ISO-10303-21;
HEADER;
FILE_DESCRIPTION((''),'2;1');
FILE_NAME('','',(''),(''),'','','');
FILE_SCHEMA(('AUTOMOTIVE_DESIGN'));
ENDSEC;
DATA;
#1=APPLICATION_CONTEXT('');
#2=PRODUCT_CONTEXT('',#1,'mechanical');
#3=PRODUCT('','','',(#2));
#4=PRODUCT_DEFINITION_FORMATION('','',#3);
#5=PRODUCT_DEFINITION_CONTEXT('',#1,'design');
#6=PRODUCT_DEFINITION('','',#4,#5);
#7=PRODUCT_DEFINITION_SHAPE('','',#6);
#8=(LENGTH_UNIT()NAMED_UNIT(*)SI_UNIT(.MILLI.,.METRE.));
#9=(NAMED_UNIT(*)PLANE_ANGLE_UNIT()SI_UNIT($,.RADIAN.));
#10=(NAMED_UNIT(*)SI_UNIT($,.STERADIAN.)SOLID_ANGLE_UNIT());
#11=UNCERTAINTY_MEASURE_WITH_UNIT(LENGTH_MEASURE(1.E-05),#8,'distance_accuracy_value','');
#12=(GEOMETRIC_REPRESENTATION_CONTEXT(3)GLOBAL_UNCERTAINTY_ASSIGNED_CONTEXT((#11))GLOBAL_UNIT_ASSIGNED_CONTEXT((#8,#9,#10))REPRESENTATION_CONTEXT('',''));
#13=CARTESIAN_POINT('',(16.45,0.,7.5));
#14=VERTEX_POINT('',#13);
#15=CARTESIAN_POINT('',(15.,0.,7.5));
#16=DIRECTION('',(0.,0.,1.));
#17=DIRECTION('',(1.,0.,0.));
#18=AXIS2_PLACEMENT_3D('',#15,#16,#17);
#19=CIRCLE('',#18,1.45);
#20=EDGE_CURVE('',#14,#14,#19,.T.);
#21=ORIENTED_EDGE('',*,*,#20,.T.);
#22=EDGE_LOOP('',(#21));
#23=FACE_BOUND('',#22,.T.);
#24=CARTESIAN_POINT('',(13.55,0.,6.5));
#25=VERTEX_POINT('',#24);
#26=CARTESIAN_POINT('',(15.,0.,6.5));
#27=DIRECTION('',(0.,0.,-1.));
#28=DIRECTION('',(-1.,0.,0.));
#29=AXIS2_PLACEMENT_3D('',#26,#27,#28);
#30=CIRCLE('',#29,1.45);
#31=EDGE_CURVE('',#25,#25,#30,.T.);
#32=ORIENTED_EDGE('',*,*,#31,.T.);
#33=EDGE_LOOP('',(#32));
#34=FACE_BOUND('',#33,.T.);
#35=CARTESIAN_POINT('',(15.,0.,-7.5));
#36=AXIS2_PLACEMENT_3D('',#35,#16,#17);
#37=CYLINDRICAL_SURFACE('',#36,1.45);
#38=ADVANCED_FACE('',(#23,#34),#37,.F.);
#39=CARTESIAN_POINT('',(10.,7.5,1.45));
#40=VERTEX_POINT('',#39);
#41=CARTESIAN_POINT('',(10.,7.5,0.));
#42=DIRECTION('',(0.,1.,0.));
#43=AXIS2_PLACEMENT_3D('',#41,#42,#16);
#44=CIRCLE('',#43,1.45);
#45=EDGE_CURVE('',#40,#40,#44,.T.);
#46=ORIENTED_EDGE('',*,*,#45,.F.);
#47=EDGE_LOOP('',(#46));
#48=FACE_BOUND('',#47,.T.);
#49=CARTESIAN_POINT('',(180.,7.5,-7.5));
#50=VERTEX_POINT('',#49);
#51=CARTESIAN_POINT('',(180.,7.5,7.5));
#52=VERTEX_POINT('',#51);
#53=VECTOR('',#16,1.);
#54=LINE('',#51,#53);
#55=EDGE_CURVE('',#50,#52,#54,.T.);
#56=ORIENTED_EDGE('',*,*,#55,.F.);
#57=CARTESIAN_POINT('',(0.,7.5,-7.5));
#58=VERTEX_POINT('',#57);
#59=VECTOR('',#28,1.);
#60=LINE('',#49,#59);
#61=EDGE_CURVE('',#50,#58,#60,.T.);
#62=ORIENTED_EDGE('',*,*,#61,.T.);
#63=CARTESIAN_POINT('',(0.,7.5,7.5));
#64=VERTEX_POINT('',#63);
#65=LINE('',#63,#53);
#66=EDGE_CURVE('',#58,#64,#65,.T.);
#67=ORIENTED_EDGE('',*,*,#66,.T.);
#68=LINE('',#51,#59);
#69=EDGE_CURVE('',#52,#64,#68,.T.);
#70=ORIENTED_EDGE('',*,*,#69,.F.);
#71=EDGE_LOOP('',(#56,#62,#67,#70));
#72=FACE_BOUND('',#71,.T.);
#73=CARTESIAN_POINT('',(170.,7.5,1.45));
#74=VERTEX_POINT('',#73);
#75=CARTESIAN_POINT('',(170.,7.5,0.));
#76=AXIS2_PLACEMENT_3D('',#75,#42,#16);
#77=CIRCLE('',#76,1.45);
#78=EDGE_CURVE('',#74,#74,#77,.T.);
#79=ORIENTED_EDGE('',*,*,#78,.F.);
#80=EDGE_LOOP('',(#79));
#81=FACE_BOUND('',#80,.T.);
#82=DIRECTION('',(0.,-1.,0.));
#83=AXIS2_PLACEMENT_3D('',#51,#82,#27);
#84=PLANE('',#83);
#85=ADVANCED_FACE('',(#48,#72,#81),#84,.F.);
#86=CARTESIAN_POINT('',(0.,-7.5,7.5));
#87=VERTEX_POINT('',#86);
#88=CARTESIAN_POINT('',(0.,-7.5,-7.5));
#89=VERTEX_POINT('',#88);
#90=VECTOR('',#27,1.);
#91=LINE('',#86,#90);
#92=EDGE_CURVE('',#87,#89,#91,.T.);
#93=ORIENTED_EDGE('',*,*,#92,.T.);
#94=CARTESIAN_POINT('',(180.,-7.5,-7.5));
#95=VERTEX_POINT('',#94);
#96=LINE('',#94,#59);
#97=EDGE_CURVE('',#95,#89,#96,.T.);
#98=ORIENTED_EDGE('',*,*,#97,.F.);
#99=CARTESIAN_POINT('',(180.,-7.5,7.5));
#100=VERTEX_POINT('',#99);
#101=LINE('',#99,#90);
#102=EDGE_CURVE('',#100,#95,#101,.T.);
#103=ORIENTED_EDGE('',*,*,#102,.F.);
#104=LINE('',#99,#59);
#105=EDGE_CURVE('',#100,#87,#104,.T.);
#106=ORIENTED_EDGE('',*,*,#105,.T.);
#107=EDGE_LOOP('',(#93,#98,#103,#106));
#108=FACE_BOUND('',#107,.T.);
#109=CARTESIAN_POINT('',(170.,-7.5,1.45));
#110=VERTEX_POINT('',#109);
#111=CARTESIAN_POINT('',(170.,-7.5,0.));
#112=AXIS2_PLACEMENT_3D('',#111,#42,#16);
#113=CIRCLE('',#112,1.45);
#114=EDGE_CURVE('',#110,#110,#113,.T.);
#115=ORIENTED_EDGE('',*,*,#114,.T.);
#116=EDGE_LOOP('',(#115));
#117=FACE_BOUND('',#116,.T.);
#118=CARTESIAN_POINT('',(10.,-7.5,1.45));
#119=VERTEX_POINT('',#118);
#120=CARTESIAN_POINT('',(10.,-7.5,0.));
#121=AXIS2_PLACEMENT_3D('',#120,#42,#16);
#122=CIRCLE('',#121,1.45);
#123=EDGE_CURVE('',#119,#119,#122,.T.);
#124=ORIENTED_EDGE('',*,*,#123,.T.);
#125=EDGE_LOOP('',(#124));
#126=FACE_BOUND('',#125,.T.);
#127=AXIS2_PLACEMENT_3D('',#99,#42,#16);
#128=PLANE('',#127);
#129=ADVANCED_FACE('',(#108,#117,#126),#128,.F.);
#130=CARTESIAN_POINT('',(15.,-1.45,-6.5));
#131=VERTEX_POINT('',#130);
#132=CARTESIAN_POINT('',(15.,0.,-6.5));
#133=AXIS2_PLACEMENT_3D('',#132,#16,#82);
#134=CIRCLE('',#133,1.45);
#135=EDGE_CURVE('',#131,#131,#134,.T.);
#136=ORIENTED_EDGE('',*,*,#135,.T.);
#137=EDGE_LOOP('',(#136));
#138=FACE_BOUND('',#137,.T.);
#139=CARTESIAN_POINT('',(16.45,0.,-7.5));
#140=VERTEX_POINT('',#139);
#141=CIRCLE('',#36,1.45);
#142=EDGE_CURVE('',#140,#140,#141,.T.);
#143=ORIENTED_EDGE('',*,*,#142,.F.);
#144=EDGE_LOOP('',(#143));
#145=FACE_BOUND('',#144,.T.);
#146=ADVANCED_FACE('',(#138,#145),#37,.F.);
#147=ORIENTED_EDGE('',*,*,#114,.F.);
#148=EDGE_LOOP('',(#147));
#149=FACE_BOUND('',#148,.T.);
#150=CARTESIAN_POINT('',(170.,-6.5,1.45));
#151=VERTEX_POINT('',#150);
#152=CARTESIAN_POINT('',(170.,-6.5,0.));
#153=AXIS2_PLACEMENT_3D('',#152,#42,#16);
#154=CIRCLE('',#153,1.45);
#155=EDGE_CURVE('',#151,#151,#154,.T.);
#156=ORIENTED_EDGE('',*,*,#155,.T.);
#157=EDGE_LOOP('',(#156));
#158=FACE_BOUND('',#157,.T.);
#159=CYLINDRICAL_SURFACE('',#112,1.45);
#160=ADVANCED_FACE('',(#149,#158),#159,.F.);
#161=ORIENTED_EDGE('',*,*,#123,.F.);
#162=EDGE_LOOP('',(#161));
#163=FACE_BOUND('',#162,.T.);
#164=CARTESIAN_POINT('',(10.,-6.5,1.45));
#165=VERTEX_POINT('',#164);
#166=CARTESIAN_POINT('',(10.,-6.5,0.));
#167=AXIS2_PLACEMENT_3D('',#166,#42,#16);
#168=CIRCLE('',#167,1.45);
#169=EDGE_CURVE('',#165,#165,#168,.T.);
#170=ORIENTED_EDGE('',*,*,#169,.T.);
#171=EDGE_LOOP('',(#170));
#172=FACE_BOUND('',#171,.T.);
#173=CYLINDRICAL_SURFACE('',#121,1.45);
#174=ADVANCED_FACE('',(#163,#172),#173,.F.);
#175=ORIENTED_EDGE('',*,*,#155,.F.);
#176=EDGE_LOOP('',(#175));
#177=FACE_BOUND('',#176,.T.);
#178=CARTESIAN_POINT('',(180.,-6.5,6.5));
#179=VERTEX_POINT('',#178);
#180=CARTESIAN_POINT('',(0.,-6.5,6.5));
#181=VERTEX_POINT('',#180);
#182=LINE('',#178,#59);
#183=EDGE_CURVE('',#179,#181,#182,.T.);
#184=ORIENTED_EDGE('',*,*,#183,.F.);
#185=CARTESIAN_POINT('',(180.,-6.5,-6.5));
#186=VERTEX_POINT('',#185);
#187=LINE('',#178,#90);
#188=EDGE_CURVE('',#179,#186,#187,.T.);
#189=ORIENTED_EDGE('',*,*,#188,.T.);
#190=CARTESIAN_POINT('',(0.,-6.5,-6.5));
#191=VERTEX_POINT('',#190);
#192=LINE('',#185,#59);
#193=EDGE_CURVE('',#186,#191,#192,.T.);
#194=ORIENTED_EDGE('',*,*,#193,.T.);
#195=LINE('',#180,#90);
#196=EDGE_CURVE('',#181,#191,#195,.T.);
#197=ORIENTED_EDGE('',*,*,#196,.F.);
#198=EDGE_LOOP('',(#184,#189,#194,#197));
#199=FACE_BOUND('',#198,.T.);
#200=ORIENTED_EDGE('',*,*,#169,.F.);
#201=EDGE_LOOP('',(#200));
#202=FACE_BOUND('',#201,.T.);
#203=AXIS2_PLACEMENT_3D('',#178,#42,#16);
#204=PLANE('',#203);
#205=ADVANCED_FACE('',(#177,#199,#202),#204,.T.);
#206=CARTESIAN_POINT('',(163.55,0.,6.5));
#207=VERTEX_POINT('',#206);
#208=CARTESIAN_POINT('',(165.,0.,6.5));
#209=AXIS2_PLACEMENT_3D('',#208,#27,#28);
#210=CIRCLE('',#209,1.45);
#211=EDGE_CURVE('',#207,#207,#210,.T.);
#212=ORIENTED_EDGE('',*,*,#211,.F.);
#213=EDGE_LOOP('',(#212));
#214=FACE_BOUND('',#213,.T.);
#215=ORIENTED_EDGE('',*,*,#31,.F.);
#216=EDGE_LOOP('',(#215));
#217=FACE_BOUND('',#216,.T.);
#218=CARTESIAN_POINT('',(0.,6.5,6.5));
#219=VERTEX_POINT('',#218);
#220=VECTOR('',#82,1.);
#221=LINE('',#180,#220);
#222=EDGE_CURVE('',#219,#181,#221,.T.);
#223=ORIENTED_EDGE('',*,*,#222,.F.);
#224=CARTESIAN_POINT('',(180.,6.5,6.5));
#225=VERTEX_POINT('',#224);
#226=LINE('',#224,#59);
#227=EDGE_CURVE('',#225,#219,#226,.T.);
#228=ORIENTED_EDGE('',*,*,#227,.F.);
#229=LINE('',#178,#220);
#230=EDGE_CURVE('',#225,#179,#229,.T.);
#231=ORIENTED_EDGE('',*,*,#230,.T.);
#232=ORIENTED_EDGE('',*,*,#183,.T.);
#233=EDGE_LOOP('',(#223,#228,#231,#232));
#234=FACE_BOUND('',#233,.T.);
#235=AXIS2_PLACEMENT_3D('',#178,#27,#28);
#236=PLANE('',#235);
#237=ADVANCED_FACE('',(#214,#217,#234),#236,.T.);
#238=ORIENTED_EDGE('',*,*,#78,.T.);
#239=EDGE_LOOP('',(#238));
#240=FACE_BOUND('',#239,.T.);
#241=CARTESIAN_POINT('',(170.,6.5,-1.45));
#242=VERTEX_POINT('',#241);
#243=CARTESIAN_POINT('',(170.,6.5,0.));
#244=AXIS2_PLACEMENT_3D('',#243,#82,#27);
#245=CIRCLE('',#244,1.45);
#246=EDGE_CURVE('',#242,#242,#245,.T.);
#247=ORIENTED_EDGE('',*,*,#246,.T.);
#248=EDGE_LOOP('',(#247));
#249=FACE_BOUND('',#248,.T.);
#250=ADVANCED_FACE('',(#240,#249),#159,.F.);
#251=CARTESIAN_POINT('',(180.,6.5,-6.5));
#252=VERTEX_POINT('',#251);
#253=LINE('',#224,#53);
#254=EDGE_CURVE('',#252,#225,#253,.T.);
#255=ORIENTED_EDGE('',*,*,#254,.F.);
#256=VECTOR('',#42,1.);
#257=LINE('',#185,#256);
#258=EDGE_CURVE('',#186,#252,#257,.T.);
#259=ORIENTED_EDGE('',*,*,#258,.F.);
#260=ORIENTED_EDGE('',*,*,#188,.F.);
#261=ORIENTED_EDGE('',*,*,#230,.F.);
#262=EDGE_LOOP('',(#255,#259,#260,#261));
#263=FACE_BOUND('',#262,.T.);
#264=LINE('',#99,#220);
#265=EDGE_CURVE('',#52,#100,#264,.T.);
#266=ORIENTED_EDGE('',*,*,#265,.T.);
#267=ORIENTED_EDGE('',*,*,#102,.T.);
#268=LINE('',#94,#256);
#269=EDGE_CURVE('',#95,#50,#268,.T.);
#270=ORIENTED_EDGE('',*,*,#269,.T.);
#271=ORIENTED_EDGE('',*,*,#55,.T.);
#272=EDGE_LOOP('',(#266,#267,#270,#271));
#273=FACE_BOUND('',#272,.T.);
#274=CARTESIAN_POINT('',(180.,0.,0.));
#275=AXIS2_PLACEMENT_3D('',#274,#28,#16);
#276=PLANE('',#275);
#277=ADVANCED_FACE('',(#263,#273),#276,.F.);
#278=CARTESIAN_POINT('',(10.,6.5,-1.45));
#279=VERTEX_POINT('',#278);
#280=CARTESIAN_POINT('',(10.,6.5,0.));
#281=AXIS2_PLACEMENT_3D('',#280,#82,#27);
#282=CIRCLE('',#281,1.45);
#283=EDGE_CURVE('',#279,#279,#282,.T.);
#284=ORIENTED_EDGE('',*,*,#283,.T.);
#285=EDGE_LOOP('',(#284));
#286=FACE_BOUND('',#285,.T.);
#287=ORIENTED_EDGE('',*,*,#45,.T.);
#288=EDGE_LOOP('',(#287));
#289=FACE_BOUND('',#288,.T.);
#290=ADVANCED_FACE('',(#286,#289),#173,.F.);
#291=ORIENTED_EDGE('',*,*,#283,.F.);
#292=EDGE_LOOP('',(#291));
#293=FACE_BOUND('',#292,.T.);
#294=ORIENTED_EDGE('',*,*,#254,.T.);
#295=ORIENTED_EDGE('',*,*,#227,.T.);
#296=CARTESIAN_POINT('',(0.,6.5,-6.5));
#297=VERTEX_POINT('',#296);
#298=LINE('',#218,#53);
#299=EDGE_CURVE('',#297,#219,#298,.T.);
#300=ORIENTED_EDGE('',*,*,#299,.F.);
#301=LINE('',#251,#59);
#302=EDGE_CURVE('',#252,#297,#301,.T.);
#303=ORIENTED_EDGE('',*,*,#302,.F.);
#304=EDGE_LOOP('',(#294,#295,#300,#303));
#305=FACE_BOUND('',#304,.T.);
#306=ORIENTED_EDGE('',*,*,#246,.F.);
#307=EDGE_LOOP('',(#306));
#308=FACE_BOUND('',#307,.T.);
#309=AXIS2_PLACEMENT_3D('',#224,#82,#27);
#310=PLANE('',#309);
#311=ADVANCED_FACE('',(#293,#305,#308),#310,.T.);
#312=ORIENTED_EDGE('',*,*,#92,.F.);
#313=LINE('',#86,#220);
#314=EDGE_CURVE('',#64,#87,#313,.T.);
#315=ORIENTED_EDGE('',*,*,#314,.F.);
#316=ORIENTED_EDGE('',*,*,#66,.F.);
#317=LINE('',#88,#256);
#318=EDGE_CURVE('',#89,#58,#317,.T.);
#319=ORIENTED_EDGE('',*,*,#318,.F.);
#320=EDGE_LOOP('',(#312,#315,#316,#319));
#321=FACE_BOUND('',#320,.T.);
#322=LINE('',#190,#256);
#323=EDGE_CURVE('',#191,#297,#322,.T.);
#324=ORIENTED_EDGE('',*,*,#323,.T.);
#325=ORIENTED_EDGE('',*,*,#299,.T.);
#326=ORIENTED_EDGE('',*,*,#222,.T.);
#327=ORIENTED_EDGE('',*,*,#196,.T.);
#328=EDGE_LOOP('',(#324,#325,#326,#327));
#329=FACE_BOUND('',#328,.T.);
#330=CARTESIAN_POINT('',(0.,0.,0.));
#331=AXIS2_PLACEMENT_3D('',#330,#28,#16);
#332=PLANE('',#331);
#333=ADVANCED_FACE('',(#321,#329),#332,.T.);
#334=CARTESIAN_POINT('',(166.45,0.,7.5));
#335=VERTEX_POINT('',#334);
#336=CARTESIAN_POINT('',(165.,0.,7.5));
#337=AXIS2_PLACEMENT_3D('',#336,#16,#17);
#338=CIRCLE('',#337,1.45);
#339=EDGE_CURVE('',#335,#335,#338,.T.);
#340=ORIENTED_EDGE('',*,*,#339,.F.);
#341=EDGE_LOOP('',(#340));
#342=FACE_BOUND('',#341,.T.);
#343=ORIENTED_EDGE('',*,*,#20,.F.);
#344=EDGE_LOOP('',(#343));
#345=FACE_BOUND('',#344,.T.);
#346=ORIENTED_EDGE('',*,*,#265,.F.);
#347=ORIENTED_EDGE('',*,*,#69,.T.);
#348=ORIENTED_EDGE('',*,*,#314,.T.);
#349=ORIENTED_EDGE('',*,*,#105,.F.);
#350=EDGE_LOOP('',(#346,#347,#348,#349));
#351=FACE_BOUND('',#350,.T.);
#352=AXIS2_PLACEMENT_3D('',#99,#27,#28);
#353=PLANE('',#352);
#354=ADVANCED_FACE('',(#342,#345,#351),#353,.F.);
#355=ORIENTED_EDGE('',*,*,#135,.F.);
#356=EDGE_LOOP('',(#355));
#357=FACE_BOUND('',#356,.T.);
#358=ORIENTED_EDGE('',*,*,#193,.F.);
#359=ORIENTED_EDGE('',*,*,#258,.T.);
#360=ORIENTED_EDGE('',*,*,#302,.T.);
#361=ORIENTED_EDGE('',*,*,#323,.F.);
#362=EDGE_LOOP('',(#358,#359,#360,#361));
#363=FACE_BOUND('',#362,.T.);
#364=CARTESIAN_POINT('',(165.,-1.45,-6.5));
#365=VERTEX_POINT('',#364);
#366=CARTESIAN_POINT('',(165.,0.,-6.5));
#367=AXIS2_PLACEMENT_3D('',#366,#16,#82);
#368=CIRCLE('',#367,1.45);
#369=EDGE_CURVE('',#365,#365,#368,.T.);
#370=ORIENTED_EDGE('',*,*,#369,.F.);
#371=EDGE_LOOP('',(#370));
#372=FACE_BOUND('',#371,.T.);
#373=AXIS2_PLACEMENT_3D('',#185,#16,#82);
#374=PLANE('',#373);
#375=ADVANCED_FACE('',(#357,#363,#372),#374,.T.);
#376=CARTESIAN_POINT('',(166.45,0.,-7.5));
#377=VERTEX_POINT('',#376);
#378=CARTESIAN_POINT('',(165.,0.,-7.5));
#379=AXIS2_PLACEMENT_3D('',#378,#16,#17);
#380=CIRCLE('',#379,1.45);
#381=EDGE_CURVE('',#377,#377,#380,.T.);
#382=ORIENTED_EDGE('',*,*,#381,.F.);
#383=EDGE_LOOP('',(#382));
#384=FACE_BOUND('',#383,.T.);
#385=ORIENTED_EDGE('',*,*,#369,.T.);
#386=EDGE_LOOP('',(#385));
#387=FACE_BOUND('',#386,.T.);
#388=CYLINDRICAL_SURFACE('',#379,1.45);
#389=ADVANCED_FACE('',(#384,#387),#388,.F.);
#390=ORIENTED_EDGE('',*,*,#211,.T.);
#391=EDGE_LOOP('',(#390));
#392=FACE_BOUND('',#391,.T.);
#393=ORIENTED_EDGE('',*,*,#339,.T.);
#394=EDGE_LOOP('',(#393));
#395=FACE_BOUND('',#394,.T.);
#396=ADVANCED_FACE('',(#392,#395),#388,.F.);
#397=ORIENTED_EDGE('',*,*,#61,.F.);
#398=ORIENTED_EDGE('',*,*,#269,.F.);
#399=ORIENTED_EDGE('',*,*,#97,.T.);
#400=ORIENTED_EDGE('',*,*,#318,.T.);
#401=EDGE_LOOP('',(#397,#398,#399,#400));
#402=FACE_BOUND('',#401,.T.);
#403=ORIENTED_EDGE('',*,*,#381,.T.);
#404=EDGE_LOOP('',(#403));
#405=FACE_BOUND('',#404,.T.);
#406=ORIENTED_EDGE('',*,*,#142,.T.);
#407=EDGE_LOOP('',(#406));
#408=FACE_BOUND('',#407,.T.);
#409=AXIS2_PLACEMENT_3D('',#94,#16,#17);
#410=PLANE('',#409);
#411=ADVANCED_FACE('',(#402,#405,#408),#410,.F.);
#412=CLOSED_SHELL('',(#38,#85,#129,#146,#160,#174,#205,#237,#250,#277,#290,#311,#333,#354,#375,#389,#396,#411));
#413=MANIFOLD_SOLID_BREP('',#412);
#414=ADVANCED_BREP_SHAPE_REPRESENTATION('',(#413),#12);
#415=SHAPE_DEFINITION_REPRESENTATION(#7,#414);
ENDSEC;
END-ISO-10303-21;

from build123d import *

# Parameters (mm, degrees)
SKETCH_1_W          = 15
SKETCH_1_H          = 15
SKETCH_1_W_2        = 13
SKETCH_1_H_2        = 13
EXTRUDE_1_DEPTH     = 180
SKETCH_2_R          = 1.45
CUT_EXTRUDE_1_DEPTH = 181.779561898
SKETCH_3_R          = 1.45
CUT_EXTRUDE_2_DEPTH = 181.779561898


with BuildPart() as part:
    # 草图1 → 凸台-拉伸1 (new body)
    with BuildSketch(Plane(origin=(0, 0, 0), x_dir=(0, 0, -1), z_dir=(1, 0, 0))):
        Rectangle(SKETCH_1_W, SKETCH_1_H)
        Rectangle(SKETCH_1_W_2, SKETCH_1_H_2, mode=Mode.SUBTRACT)
    extrude(amount=EXTRUDE_1_DEPTH)

    # 草图2 → 切除-拉伸1 (cut, through all)
    with BuildSketch(Plane(origin=(0, 7.5, 0), x_dir=(1, 0, 0), z_dir=(0, 1, 0))):
        with Locations(Location((10, 0, 0), (0, 0, 270))):
            Circle(SKETCH_2_R)
        with Locations(Location((170, 0, 0), (0, 0, 270))):
            Circle(SKETCH_2_R)
    extrude(amount=-CUT_EXTRUDE_1_DEPTH, mode=Mode.SUBTRACT)

    # 草图3 → 切除-拉伸2 (cut, through all)
    with BuildSketch(Plane.XY.offset(7.5)):
        with Locations((15, 0)):
            Circle(SKETCH_3_R)
        with Locations((165, 0)):
            Circle(SKETCH_3_R)
    extrude(amount=-CUT_EXTRUDE_2_DEPTH, mode=Mode.SUBTRACT)


solid = part.part
